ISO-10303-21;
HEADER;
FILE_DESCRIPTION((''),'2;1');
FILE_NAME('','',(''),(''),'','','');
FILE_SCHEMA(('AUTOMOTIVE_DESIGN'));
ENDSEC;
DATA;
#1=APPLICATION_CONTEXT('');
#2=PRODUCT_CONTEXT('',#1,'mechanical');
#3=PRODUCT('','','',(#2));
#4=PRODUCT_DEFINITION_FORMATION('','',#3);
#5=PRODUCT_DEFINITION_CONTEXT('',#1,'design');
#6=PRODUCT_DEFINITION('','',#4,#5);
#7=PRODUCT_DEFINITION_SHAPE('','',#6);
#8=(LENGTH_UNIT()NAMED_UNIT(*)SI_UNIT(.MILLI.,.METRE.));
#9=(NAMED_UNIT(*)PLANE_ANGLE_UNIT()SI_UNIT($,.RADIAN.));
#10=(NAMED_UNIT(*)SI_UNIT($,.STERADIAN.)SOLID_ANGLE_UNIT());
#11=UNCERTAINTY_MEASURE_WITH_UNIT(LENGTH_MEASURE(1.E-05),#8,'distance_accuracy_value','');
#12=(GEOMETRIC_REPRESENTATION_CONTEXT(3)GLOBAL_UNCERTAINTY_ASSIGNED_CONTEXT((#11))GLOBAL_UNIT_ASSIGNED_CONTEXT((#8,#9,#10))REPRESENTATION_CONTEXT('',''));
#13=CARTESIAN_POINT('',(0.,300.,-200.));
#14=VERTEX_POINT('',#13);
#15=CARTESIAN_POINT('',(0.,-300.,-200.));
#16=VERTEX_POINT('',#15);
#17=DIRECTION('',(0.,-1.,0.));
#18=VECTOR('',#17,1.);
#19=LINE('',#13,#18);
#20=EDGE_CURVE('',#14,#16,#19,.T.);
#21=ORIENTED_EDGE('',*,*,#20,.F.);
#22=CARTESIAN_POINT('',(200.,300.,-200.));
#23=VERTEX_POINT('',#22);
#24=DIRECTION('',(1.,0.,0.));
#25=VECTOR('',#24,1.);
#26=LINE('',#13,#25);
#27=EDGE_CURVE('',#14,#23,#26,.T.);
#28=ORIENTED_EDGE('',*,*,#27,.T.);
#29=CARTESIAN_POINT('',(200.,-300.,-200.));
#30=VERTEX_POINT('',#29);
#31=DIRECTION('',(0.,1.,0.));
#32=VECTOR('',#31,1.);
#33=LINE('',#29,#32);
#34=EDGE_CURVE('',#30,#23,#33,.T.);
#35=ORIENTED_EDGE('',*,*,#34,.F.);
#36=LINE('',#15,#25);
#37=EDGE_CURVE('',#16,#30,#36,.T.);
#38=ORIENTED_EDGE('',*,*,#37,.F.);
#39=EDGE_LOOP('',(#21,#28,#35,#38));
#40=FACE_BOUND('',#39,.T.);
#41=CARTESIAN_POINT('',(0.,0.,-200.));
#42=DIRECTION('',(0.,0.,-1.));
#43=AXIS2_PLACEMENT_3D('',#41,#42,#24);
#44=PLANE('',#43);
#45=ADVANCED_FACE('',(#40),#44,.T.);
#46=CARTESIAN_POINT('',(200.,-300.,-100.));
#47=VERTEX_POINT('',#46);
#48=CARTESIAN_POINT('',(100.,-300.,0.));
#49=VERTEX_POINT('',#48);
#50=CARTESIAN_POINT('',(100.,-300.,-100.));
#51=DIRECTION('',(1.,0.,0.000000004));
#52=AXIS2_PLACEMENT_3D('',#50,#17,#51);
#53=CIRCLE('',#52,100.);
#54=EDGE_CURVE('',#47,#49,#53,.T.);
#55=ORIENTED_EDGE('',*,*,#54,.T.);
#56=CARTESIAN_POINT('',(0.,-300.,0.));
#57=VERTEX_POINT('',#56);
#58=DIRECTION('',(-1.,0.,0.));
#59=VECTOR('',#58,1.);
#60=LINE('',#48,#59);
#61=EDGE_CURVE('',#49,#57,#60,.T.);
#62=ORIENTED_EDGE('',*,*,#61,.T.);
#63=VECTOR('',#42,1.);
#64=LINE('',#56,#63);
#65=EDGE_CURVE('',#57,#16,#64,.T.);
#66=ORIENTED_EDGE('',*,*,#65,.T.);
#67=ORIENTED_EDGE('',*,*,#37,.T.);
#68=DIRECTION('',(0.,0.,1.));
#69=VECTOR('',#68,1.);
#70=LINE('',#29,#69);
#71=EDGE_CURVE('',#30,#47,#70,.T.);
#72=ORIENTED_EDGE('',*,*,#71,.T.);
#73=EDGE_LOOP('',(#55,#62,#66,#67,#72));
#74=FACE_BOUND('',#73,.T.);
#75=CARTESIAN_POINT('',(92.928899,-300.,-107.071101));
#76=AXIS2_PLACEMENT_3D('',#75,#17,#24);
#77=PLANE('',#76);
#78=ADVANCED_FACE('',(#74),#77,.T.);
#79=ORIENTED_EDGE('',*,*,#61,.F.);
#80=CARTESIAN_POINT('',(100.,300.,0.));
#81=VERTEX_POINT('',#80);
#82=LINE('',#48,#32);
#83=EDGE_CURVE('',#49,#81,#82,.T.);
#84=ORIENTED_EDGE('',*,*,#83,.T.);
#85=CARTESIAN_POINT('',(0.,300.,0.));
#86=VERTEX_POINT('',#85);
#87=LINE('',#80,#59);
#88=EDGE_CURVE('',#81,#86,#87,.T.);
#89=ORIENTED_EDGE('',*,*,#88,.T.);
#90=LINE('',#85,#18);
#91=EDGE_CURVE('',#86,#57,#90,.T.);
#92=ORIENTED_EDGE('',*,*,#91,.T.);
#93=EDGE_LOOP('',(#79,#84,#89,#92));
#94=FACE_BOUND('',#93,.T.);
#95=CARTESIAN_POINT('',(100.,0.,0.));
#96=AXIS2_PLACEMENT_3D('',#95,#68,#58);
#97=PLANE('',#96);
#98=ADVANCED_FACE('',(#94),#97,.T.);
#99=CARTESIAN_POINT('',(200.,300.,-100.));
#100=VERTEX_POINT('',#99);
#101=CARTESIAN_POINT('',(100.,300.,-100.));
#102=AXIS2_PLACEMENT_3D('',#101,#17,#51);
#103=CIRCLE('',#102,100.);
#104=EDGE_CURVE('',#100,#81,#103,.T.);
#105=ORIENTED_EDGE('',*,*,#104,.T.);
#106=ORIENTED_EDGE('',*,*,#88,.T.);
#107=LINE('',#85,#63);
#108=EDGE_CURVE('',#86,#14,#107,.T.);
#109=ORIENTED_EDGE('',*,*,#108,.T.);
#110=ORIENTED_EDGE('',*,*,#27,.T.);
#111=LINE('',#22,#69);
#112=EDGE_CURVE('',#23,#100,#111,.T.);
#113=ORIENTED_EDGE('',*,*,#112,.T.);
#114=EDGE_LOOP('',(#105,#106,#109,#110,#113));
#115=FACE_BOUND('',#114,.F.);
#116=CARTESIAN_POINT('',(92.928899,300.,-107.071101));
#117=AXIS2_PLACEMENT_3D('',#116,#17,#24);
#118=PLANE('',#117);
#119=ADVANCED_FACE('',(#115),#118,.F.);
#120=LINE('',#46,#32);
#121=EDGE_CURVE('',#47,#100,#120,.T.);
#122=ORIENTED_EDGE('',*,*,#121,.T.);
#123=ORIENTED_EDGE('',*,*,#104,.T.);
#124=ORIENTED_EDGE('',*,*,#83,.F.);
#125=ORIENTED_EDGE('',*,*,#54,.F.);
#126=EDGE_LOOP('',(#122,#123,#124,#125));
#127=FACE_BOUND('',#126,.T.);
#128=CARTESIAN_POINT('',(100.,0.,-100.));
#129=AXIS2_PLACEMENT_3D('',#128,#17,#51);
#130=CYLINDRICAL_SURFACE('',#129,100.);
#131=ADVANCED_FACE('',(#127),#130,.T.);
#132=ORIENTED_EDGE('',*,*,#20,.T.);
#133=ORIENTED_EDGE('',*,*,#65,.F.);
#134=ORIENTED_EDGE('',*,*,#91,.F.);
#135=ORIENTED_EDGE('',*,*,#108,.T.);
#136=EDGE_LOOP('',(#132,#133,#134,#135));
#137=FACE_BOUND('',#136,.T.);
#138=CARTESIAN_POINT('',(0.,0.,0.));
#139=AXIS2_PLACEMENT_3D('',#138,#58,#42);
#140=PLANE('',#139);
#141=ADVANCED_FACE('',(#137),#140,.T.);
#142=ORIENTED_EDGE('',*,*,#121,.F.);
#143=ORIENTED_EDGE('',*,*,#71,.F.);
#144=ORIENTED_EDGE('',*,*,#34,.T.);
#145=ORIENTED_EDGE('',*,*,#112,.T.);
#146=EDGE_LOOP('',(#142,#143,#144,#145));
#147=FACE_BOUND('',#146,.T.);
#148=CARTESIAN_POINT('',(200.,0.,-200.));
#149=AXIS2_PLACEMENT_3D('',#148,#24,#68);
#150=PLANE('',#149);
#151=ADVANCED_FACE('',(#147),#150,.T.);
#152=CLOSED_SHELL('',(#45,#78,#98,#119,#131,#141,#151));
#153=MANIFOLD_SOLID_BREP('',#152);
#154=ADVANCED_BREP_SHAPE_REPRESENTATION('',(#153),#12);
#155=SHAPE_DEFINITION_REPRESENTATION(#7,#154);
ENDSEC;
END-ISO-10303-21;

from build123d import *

# Parameters (mm, degrees)
F1_DEPTH = 300


with BuildPart() as f1:
    # F0 (on Front) → F1 (new body, symmetric)
    with BuildSketch(Plane.XZ):
        with BuildLine():
            Line((100, 0), (0, 0))
            Line((0, 0), (0, -200))
            Line((0, -200), (200, -200))
            Line((200, -200), (200, -100))
            ThreePointArc((200, -100), (170.710678, -29.289322), (100, 0))
        make_face()
    extrude(amount=F1_DEPTH, both=True)


solid = f1.part
